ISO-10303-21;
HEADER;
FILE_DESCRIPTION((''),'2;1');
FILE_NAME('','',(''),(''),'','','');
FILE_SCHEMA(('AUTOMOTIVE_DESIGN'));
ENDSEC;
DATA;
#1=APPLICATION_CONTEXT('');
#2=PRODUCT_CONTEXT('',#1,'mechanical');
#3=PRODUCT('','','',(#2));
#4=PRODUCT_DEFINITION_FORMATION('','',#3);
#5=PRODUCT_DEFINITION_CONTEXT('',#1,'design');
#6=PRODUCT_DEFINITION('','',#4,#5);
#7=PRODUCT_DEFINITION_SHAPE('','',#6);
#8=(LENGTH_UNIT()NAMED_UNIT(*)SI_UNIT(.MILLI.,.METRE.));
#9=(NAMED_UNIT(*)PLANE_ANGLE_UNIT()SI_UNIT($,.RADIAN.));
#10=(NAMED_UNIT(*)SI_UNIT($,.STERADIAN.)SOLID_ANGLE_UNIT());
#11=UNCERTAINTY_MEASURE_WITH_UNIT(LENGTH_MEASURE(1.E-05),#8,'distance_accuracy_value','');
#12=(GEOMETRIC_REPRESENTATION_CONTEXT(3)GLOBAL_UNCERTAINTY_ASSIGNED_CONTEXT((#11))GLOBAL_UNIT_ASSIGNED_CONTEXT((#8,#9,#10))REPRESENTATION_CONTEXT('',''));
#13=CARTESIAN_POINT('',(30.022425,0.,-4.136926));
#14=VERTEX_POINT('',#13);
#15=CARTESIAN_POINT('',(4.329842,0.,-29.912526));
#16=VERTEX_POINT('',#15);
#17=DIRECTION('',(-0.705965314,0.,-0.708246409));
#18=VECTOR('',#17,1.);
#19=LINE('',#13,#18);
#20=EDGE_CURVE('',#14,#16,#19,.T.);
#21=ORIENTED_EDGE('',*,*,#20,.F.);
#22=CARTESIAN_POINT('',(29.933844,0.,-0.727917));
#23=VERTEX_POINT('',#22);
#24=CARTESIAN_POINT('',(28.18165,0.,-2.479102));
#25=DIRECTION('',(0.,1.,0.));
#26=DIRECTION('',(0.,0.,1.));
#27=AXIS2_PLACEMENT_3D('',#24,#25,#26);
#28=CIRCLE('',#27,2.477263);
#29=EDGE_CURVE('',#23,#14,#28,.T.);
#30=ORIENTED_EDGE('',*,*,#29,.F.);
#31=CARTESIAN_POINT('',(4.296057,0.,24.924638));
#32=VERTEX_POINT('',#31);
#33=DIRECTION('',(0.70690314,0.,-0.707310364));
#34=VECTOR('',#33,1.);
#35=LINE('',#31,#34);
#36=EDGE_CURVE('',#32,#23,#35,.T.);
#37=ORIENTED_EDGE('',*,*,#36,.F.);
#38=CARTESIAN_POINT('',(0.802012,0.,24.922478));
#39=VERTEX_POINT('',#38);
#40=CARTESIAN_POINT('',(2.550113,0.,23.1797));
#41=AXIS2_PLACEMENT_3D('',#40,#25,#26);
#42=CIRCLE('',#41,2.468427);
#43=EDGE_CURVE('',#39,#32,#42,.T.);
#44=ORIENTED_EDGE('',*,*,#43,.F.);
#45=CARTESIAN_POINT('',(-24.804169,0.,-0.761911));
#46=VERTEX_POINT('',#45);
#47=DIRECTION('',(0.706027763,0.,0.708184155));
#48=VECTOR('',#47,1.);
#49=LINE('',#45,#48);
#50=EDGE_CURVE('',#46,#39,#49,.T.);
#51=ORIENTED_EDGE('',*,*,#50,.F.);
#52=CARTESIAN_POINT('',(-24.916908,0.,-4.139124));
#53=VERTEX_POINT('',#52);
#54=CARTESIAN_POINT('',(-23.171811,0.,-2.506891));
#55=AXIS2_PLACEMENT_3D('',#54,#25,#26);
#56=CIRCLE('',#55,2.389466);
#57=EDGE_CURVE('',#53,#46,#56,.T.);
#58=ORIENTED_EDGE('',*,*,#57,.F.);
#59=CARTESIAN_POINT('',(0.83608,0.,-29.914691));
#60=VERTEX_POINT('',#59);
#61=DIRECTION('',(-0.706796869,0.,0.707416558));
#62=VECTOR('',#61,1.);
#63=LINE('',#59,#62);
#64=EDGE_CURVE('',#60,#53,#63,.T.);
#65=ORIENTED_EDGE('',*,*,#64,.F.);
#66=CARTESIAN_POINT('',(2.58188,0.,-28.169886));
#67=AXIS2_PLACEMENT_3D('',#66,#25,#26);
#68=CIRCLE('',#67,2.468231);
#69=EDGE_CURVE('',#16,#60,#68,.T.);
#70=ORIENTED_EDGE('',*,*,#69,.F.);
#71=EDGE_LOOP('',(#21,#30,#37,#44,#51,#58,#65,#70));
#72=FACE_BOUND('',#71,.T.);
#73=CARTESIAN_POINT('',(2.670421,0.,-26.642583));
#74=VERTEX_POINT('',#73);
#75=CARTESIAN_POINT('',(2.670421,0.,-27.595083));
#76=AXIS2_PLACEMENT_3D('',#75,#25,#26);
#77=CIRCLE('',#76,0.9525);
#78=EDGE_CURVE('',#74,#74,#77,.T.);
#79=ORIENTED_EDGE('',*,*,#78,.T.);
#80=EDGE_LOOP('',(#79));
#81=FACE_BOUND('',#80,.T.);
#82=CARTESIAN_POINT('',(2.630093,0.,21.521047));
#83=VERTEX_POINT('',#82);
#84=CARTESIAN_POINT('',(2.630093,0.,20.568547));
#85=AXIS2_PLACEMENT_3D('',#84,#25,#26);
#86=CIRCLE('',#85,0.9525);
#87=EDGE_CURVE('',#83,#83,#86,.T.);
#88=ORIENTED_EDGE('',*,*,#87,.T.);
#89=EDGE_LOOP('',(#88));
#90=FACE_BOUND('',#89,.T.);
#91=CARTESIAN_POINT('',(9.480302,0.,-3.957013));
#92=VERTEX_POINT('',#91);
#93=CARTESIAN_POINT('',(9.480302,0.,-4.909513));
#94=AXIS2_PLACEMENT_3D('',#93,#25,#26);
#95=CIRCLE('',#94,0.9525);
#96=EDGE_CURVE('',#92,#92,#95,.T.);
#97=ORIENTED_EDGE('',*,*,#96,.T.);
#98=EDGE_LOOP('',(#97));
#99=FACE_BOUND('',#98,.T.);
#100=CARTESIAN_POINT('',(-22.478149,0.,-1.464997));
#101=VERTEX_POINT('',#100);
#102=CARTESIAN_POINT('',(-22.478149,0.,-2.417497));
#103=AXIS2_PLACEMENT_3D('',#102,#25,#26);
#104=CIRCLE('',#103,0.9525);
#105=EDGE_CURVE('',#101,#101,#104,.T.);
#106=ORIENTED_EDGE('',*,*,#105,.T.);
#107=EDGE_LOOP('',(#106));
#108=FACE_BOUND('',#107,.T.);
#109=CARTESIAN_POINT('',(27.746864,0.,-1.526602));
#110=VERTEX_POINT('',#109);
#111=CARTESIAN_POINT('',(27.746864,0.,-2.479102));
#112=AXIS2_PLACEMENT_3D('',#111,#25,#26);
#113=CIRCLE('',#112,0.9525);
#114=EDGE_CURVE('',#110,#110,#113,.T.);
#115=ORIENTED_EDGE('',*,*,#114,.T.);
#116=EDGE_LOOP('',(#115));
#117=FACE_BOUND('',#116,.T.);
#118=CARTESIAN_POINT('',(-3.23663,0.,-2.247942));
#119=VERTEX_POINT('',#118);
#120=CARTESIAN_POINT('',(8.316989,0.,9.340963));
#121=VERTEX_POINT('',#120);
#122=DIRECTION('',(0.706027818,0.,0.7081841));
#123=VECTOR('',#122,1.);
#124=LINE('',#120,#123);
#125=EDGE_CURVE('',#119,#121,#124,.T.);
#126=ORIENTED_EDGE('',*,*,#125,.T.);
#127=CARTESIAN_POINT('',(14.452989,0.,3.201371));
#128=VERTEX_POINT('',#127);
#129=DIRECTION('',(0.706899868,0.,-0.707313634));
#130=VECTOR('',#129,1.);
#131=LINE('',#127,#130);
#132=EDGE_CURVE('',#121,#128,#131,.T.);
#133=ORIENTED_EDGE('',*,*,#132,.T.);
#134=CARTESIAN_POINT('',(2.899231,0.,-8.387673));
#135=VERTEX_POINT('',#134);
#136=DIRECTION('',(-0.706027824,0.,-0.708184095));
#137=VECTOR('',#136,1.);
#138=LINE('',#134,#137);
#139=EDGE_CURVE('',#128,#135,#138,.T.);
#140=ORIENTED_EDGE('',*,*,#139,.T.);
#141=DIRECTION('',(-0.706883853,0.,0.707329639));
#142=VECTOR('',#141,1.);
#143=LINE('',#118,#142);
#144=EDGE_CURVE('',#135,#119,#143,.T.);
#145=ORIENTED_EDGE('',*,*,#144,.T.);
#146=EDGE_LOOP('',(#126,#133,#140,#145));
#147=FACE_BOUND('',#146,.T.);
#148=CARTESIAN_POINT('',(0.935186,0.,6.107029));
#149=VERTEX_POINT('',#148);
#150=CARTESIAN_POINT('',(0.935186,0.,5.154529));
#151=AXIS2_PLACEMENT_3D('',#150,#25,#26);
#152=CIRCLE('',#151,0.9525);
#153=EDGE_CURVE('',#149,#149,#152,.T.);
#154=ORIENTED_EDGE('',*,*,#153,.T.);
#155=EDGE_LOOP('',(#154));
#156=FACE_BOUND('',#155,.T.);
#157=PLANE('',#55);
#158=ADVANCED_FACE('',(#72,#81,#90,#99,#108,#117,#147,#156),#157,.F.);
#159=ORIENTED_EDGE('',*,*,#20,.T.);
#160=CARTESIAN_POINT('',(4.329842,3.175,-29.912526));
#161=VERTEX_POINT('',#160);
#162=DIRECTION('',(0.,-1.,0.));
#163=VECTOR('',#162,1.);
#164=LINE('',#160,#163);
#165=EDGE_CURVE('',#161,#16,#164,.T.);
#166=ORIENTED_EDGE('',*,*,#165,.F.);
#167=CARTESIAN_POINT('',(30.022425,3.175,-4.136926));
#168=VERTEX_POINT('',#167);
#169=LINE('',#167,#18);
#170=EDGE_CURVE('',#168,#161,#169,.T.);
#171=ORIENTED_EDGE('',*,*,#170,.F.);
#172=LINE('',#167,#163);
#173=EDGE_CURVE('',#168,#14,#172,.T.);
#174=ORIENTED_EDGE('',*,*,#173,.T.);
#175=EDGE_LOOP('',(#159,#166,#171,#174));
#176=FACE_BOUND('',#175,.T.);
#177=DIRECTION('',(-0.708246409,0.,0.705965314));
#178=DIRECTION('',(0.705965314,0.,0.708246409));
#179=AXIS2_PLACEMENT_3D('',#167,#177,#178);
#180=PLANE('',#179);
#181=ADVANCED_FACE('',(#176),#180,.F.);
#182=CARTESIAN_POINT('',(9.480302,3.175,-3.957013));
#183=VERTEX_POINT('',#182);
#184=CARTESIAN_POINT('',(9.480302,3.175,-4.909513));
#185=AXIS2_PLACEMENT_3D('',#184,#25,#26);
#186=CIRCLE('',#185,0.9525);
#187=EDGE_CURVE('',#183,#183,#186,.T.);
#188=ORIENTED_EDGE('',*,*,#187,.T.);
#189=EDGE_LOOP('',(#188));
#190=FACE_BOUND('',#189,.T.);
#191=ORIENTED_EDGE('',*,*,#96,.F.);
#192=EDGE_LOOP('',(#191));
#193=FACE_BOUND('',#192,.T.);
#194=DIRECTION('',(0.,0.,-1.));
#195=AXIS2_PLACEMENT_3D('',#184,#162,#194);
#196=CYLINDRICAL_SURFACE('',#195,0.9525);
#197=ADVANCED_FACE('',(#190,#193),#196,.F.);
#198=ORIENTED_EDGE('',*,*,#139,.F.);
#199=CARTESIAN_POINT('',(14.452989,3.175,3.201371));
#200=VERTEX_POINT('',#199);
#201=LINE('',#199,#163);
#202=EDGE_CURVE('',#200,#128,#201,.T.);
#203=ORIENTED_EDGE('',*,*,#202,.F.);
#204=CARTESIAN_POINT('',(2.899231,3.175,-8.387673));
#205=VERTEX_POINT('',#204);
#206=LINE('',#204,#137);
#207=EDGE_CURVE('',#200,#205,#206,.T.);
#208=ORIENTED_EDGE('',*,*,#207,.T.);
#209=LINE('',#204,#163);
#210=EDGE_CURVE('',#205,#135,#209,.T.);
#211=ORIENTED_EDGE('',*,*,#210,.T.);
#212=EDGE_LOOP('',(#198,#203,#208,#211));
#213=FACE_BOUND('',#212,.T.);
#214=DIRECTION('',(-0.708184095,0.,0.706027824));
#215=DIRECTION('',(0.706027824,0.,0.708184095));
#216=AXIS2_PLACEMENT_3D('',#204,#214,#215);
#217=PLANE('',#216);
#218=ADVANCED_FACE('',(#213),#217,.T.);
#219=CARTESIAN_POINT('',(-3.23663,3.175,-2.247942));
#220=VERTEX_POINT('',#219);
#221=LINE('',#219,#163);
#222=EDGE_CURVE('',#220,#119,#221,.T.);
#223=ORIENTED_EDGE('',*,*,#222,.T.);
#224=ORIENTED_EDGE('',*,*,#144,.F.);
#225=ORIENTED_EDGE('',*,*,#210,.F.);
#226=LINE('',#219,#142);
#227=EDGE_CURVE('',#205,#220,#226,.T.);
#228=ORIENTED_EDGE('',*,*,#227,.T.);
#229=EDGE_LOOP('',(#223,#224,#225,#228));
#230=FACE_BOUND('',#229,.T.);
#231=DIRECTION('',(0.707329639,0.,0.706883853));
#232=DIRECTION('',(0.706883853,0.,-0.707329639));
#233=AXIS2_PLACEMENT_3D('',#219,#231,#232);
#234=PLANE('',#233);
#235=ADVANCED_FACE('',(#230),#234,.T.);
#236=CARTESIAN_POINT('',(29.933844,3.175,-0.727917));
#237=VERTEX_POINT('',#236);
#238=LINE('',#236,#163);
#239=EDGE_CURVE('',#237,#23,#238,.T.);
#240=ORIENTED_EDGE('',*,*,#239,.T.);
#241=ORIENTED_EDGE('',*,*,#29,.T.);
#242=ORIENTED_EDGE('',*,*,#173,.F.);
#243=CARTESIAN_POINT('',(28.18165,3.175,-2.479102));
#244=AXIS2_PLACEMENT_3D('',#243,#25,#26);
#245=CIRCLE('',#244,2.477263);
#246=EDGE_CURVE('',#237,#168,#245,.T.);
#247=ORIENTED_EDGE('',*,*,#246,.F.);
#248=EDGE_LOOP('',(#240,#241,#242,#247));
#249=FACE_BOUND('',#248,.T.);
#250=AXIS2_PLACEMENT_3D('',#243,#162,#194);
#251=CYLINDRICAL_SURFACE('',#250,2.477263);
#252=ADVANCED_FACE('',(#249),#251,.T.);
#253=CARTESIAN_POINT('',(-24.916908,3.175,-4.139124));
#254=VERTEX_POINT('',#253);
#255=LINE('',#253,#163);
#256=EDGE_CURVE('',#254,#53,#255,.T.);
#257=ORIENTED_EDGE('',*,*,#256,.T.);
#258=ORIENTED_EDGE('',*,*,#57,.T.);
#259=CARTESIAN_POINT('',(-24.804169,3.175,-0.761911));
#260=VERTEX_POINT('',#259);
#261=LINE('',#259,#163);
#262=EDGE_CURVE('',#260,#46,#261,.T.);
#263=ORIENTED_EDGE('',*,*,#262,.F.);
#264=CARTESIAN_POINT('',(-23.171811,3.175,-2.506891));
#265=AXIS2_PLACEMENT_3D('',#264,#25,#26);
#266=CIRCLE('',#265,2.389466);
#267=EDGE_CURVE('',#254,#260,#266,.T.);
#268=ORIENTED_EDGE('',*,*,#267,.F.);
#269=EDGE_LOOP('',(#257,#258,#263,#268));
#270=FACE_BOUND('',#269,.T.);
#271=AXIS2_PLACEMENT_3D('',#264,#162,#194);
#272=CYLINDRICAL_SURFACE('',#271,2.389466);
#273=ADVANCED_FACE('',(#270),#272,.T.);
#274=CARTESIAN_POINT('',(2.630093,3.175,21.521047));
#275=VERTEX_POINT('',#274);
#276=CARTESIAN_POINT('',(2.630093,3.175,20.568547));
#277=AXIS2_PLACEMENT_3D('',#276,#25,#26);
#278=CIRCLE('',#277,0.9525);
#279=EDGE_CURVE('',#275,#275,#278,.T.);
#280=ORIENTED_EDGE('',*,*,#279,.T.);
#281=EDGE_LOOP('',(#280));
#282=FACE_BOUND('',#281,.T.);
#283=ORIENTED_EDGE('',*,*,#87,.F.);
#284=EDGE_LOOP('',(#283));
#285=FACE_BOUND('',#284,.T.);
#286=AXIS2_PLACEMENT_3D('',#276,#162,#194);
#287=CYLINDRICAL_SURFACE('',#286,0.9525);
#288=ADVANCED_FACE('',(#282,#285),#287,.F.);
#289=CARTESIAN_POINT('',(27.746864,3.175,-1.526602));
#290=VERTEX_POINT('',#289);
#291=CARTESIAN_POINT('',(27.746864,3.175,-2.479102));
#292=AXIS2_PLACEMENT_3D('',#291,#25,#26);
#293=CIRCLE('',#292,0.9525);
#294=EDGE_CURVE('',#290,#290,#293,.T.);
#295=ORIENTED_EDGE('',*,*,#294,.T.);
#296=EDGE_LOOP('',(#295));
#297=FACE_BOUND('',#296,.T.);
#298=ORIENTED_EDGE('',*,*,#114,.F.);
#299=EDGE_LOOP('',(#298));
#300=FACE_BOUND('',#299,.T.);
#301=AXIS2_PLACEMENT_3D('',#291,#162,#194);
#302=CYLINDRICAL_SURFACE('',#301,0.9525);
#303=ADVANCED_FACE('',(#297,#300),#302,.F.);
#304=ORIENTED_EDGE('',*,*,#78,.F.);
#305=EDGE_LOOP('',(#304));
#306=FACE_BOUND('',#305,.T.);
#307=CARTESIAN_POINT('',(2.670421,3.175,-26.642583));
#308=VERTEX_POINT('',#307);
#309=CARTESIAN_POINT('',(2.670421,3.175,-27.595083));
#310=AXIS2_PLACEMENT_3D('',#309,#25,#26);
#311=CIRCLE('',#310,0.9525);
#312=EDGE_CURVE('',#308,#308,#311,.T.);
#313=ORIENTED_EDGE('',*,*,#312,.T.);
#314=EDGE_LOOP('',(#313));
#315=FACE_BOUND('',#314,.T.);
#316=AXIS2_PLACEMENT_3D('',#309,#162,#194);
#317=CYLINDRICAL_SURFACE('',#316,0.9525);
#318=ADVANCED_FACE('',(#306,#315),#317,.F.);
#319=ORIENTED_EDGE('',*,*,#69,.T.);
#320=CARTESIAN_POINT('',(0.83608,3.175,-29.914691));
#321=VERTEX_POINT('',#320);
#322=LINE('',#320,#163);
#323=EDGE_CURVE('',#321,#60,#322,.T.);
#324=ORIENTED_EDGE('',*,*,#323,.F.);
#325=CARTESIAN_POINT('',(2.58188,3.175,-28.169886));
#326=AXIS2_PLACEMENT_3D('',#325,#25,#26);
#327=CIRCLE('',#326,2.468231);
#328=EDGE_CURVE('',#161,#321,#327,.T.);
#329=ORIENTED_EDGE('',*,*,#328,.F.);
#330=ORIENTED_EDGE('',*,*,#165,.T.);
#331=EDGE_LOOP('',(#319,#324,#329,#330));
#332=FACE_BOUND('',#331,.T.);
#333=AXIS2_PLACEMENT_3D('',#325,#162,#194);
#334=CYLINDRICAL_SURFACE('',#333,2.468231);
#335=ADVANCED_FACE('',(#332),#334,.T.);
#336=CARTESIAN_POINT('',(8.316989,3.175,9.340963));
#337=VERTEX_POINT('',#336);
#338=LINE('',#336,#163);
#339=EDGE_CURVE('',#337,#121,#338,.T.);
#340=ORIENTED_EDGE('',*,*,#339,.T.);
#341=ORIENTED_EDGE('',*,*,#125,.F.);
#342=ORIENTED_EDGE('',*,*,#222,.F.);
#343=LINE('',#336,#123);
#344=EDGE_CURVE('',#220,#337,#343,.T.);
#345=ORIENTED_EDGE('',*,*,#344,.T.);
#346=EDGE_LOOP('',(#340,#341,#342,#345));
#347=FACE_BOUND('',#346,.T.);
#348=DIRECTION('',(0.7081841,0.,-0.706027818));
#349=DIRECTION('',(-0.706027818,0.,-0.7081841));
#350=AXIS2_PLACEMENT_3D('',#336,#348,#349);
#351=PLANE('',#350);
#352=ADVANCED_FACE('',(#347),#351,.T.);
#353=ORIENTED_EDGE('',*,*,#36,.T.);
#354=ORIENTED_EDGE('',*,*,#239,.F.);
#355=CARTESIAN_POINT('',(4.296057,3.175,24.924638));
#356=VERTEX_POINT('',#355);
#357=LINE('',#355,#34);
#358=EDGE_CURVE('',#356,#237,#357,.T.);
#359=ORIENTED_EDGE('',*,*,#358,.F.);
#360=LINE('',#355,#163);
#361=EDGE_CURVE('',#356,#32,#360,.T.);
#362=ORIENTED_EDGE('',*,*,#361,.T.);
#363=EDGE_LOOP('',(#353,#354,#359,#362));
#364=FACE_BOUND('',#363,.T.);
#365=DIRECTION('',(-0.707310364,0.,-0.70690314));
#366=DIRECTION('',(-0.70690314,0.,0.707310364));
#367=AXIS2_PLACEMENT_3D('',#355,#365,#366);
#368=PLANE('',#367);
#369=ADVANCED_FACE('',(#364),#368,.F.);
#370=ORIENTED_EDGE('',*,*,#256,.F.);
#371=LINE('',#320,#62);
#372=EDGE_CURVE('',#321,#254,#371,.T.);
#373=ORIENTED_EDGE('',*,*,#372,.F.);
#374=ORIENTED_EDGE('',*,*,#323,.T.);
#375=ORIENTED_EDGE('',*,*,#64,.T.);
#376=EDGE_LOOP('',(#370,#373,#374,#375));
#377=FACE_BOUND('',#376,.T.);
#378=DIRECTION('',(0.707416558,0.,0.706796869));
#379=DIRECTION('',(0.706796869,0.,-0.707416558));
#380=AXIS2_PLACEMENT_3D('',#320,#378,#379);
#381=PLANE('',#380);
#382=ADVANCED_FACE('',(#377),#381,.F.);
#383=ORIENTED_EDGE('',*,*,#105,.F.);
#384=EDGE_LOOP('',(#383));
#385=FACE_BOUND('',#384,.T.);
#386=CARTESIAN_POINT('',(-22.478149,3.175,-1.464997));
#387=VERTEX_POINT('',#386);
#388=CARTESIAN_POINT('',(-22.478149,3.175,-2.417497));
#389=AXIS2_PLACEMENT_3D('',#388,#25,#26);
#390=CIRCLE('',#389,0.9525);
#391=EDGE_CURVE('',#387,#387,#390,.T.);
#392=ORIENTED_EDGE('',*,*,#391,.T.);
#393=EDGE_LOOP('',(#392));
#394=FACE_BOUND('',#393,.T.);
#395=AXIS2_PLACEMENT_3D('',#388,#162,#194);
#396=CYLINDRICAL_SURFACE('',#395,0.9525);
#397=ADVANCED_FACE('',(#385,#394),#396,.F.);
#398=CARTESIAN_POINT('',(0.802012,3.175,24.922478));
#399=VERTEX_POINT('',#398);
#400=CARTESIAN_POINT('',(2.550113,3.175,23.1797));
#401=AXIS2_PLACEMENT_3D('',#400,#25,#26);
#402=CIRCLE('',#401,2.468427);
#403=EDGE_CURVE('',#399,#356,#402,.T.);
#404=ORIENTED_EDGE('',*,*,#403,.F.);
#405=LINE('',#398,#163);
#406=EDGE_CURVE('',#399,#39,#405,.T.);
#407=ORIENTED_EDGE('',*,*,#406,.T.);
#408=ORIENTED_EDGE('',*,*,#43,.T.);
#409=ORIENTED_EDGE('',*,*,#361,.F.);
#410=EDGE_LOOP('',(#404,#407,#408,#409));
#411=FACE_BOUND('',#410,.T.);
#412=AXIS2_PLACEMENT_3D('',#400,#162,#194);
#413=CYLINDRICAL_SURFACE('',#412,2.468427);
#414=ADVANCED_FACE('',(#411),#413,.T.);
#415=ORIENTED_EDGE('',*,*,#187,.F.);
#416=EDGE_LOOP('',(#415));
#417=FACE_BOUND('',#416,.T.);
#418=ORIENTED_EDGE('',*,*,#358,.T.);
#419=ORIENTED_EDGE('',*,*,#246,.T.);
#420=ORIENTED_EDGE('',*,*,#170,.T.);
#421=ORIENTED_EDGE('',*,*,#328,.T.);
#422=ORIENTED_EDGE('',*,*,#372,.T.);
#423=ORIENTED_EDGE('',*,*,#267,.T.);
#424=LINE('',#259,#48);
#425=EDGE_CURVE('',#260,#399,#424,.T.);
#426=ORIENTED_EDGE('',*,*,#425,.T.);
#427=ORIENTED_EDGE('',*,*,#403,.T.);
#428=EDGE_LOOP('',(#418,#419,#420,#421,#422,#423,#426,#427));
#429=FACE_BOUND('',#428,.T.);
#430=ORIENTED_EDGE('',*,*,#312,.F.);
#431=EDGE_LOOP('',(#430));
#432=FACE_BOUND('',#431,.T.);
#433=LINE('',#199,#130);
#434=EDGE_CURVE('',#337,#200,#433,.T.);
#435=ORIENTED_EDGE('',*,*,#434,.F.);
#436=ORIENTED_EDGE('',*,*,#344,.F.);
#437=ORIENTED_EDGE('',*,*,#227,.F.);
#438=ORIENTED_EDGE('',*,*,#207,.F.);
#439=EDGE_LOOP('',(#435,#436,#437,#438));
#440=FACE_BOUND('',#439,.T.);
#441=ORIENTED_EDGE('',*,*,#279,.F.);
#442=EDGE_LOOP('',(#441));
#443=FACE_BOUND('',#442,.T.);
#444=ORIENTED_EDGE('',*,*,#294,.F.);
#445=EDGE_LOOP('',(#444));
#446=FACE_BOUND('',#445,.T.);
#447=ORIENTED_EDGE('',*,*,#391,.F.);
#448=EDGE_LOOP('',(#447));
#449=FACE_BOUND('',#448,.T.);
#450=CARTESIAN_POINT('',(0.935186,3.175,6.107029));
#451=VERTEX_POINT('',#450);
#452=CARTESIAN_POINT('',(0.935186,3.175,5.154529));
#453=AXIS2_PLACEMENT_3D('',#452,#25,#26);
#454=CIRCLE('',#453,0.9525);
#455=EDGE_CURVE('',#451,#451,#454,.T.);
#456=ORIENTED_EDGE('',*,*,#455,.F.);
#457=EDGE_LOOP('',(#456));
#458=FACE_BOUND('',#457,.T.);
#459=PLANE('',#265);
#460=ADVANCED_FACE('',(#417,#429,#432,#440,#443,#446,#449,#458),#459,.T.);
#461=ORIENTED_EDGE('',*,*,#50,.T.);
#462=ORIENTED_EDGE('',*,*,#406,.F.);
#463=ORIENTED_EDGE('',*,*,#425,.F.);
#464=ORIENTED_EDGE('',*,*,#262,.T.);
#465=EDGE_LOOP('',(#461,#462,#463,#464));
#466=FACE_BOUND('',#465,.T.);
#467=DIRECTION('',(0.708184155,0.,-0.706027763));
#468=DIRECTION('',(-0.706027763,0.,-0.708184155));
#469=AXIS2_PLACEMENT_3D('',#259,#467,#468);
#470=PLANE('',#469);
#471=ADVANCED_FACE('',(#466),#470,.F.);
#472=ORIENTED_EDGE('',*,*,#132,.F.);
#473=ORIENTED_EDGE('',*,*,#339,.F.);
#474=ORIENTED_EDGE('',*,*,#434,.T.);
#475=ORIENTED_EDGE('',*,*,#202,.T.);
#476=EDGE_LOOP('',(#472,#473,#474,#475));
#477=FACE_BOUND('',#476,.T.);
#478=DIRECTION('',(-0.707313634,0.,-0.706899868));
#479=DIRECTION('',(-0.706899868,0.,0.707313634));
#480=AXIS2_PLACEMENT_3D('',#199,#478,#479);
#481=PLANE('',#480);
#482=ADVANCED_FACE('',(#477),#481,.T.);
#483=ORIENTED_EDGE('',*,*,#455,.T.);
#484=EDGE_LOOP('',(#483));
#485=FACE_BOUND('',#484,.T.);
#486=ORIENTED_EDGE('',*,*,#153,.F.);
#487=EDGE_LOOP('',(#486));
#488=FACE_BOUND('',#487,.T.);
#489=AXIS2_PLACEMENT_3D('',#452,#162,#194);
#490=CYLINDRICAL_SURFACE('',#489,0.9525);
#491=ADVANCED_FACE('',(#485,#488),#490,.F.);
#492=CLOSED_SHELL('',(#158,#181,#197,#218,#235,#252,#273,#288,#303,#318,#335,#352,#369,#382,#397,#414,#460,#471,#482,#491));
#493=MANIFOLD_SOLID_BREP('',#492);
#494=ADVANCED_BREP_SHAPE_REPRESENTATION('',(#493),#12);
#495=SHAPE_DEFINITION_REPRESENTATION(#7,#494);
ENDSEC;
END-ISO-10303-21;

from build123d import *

# Parameters (mm, degrees)
SKETCH1_R           = 0.9525
BOSS_EXTRUDE1_DEPTH = 3.175


with BuildPart() as part:
    # Sketch1 → Boss-Extrude1 (new body)
    with BuildSketch(Plane(origin=(0, 0, 0), x_dir=(1, 0, 0), z_dir=(0, 1, 0))):
        with BuildLine():
            Line((0.836079848, 29.914691197), (-24.916908158, 4.139124102))
            ThreePointArc((-24.916908158, 4.139124102), (-25.559946724, 2.427169764), (-24.804168658, 0.761911295))
            Line((-24.804168658, 0.761911295), (0.802012418, -24.922477694))
            ThreePointArc((0.802012418, -24.922477694), (2.548586816, -25.648126247), (4.296057395, -24.924638497))
            Line((4.296057395, -24.924638497), (29.933843676, 0.727916893))
            ThreePointArc((29.933843676, 0.727916893), (30.658077132, 2.414753754), (30.022424716, 4.136926421))
            Line((30.022424716, 4.136926421), (4.329842419, 29.912525833))
            ThreePointArc((4.329842419, 29.912525833), (2.583410169, 30.638116576), (0.836079848, 29.914691197))
        make_face()
        with Locations(Location((2.67042066, 27.595082687, 0), (0, 0, 270))):
            Circle(SKETCH1_R, mode=Mode.SUBTRACT)
        with Locations(Location((-22.478149371, 2.417496952, 0), (0, 0, 270))):
            Circle(SKETCH1_R, mode=Mode.SUBTRACT)
        with Locations(Location((0.935185954, -5.154528514, 0), (0, 0, 270))):
            Circle(SKETCH1_R, mode=Mode.SUBTRACT)
        with Locations(Location((9.48030204, 4.90951313, 0), (0, 0, 270))):
            Circle(SKETCH1_R, mode=Mode.SUBTRACT)
        with Locations(Location((2.63009313, -20.568546616, 0), (0, 0, 270))):
            Circle(SKETCH1_R, mode=Mode.SUBTRACT)
        with Locations(Location((27.74686367, 2.479102218, 0), (0, 0, 270))):
            Circle(SKETCH1_R, mode=Mode.SUBTRACT)
        Polygon((8.316988679, -9.340962636), (-3.236630252, 2.247942235), (2.899230919, 8.38767289), (14.452988692, -3.201371075), align=None, mode=Mode.SUBTRACT)
    extrude(amount=BOSS_EXTRUDE1_DEPTH)


solid = part.part
